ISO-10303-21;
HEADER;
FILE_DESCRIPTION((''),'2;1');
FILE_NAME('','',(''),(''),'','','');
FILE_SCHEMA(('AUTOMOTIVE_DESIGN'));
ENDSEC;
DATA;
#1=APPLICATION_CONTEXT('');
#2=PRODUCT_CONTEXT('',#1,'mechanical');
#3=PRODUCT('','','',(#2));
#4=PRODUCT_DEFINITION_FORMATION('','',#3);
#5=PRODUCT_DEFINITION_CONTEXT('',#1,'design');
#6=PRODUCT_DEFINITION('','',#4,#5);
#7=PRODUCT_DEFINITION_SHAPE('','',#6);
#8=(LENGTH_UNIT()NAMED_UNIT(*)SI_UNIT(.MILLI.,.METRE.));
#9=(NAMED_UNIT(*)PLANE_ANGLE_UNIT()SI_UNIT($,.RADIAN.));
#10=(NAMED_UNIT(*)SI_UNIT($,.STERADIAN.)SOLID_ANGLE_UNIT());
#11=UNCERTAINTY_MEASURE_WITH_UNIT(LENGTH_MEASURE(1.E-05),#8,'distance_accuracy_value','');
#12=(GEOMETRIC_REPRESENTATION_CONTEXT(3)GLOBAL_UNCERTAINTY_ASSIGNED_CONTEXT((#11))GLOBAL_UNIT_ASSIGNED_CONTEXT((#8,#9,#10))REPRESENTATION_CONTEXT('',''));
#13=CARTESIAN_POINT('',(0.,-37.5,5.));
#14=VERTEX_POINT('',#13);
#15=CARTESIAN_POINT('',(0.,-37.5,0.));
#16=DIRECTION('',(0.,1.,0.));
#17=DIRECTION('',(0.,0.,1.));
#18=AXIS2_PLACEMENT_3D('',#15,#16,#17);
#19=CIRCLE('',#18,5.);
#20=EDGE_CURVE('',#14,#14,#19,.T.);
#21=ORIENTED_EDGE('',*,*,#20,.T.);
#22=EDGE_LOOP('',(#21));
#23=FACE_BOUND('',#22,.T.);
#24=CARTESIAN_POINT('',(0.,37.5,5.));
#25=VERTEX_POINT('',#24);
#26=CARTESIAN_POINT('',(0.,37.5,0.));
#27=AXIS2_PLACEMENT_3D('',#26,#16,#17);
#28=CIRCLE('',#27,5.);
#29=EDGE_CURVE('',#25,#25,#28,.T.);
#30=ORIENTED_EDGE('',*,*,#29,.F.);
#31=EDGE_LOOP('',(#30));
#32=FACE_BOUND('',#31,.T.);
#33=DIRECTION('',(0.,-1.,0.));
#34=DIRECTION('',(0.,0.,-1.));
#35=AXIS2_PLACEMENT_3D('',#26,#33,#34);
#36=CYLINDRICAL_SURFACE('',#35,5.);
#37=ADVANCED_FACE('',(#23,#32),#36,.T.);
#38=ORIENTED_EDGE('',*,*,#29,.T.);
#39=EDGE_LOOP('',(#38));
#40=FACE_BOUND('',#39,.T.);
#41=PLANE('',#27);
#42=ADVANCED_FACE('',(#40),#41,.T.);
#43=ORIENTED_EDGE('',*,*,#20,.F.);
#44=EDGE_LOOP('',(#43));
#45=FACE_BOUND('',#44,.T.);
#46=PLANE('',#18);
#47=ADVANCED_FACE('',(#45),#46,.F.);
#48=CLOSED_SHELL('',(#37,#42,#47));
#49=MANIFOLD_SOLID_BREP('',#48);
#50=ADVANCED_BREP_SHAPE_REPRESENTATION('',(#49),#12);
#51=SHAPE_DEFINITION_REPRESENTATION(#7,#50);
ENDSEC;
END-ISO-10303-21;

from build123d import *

# Parameters (mm, degrees)
SKETCH1_R           = 5
BOSS_EXTRUDE1_DEPTH = 37.5


with BuildPart() as part:
    # Sketch1 → Boss-Extrude1 (new body, symmetric)
    with BuildSketch(Plane(origin=(0, 0, 0), x_dir=(1, 0, 0), z_dir=(0, 1, 0))):
        Circle(SKETCH1_R)
    extrude(amount=BOSS_EXTRUDE1_DEPTH, both=True)


solid = part.part
